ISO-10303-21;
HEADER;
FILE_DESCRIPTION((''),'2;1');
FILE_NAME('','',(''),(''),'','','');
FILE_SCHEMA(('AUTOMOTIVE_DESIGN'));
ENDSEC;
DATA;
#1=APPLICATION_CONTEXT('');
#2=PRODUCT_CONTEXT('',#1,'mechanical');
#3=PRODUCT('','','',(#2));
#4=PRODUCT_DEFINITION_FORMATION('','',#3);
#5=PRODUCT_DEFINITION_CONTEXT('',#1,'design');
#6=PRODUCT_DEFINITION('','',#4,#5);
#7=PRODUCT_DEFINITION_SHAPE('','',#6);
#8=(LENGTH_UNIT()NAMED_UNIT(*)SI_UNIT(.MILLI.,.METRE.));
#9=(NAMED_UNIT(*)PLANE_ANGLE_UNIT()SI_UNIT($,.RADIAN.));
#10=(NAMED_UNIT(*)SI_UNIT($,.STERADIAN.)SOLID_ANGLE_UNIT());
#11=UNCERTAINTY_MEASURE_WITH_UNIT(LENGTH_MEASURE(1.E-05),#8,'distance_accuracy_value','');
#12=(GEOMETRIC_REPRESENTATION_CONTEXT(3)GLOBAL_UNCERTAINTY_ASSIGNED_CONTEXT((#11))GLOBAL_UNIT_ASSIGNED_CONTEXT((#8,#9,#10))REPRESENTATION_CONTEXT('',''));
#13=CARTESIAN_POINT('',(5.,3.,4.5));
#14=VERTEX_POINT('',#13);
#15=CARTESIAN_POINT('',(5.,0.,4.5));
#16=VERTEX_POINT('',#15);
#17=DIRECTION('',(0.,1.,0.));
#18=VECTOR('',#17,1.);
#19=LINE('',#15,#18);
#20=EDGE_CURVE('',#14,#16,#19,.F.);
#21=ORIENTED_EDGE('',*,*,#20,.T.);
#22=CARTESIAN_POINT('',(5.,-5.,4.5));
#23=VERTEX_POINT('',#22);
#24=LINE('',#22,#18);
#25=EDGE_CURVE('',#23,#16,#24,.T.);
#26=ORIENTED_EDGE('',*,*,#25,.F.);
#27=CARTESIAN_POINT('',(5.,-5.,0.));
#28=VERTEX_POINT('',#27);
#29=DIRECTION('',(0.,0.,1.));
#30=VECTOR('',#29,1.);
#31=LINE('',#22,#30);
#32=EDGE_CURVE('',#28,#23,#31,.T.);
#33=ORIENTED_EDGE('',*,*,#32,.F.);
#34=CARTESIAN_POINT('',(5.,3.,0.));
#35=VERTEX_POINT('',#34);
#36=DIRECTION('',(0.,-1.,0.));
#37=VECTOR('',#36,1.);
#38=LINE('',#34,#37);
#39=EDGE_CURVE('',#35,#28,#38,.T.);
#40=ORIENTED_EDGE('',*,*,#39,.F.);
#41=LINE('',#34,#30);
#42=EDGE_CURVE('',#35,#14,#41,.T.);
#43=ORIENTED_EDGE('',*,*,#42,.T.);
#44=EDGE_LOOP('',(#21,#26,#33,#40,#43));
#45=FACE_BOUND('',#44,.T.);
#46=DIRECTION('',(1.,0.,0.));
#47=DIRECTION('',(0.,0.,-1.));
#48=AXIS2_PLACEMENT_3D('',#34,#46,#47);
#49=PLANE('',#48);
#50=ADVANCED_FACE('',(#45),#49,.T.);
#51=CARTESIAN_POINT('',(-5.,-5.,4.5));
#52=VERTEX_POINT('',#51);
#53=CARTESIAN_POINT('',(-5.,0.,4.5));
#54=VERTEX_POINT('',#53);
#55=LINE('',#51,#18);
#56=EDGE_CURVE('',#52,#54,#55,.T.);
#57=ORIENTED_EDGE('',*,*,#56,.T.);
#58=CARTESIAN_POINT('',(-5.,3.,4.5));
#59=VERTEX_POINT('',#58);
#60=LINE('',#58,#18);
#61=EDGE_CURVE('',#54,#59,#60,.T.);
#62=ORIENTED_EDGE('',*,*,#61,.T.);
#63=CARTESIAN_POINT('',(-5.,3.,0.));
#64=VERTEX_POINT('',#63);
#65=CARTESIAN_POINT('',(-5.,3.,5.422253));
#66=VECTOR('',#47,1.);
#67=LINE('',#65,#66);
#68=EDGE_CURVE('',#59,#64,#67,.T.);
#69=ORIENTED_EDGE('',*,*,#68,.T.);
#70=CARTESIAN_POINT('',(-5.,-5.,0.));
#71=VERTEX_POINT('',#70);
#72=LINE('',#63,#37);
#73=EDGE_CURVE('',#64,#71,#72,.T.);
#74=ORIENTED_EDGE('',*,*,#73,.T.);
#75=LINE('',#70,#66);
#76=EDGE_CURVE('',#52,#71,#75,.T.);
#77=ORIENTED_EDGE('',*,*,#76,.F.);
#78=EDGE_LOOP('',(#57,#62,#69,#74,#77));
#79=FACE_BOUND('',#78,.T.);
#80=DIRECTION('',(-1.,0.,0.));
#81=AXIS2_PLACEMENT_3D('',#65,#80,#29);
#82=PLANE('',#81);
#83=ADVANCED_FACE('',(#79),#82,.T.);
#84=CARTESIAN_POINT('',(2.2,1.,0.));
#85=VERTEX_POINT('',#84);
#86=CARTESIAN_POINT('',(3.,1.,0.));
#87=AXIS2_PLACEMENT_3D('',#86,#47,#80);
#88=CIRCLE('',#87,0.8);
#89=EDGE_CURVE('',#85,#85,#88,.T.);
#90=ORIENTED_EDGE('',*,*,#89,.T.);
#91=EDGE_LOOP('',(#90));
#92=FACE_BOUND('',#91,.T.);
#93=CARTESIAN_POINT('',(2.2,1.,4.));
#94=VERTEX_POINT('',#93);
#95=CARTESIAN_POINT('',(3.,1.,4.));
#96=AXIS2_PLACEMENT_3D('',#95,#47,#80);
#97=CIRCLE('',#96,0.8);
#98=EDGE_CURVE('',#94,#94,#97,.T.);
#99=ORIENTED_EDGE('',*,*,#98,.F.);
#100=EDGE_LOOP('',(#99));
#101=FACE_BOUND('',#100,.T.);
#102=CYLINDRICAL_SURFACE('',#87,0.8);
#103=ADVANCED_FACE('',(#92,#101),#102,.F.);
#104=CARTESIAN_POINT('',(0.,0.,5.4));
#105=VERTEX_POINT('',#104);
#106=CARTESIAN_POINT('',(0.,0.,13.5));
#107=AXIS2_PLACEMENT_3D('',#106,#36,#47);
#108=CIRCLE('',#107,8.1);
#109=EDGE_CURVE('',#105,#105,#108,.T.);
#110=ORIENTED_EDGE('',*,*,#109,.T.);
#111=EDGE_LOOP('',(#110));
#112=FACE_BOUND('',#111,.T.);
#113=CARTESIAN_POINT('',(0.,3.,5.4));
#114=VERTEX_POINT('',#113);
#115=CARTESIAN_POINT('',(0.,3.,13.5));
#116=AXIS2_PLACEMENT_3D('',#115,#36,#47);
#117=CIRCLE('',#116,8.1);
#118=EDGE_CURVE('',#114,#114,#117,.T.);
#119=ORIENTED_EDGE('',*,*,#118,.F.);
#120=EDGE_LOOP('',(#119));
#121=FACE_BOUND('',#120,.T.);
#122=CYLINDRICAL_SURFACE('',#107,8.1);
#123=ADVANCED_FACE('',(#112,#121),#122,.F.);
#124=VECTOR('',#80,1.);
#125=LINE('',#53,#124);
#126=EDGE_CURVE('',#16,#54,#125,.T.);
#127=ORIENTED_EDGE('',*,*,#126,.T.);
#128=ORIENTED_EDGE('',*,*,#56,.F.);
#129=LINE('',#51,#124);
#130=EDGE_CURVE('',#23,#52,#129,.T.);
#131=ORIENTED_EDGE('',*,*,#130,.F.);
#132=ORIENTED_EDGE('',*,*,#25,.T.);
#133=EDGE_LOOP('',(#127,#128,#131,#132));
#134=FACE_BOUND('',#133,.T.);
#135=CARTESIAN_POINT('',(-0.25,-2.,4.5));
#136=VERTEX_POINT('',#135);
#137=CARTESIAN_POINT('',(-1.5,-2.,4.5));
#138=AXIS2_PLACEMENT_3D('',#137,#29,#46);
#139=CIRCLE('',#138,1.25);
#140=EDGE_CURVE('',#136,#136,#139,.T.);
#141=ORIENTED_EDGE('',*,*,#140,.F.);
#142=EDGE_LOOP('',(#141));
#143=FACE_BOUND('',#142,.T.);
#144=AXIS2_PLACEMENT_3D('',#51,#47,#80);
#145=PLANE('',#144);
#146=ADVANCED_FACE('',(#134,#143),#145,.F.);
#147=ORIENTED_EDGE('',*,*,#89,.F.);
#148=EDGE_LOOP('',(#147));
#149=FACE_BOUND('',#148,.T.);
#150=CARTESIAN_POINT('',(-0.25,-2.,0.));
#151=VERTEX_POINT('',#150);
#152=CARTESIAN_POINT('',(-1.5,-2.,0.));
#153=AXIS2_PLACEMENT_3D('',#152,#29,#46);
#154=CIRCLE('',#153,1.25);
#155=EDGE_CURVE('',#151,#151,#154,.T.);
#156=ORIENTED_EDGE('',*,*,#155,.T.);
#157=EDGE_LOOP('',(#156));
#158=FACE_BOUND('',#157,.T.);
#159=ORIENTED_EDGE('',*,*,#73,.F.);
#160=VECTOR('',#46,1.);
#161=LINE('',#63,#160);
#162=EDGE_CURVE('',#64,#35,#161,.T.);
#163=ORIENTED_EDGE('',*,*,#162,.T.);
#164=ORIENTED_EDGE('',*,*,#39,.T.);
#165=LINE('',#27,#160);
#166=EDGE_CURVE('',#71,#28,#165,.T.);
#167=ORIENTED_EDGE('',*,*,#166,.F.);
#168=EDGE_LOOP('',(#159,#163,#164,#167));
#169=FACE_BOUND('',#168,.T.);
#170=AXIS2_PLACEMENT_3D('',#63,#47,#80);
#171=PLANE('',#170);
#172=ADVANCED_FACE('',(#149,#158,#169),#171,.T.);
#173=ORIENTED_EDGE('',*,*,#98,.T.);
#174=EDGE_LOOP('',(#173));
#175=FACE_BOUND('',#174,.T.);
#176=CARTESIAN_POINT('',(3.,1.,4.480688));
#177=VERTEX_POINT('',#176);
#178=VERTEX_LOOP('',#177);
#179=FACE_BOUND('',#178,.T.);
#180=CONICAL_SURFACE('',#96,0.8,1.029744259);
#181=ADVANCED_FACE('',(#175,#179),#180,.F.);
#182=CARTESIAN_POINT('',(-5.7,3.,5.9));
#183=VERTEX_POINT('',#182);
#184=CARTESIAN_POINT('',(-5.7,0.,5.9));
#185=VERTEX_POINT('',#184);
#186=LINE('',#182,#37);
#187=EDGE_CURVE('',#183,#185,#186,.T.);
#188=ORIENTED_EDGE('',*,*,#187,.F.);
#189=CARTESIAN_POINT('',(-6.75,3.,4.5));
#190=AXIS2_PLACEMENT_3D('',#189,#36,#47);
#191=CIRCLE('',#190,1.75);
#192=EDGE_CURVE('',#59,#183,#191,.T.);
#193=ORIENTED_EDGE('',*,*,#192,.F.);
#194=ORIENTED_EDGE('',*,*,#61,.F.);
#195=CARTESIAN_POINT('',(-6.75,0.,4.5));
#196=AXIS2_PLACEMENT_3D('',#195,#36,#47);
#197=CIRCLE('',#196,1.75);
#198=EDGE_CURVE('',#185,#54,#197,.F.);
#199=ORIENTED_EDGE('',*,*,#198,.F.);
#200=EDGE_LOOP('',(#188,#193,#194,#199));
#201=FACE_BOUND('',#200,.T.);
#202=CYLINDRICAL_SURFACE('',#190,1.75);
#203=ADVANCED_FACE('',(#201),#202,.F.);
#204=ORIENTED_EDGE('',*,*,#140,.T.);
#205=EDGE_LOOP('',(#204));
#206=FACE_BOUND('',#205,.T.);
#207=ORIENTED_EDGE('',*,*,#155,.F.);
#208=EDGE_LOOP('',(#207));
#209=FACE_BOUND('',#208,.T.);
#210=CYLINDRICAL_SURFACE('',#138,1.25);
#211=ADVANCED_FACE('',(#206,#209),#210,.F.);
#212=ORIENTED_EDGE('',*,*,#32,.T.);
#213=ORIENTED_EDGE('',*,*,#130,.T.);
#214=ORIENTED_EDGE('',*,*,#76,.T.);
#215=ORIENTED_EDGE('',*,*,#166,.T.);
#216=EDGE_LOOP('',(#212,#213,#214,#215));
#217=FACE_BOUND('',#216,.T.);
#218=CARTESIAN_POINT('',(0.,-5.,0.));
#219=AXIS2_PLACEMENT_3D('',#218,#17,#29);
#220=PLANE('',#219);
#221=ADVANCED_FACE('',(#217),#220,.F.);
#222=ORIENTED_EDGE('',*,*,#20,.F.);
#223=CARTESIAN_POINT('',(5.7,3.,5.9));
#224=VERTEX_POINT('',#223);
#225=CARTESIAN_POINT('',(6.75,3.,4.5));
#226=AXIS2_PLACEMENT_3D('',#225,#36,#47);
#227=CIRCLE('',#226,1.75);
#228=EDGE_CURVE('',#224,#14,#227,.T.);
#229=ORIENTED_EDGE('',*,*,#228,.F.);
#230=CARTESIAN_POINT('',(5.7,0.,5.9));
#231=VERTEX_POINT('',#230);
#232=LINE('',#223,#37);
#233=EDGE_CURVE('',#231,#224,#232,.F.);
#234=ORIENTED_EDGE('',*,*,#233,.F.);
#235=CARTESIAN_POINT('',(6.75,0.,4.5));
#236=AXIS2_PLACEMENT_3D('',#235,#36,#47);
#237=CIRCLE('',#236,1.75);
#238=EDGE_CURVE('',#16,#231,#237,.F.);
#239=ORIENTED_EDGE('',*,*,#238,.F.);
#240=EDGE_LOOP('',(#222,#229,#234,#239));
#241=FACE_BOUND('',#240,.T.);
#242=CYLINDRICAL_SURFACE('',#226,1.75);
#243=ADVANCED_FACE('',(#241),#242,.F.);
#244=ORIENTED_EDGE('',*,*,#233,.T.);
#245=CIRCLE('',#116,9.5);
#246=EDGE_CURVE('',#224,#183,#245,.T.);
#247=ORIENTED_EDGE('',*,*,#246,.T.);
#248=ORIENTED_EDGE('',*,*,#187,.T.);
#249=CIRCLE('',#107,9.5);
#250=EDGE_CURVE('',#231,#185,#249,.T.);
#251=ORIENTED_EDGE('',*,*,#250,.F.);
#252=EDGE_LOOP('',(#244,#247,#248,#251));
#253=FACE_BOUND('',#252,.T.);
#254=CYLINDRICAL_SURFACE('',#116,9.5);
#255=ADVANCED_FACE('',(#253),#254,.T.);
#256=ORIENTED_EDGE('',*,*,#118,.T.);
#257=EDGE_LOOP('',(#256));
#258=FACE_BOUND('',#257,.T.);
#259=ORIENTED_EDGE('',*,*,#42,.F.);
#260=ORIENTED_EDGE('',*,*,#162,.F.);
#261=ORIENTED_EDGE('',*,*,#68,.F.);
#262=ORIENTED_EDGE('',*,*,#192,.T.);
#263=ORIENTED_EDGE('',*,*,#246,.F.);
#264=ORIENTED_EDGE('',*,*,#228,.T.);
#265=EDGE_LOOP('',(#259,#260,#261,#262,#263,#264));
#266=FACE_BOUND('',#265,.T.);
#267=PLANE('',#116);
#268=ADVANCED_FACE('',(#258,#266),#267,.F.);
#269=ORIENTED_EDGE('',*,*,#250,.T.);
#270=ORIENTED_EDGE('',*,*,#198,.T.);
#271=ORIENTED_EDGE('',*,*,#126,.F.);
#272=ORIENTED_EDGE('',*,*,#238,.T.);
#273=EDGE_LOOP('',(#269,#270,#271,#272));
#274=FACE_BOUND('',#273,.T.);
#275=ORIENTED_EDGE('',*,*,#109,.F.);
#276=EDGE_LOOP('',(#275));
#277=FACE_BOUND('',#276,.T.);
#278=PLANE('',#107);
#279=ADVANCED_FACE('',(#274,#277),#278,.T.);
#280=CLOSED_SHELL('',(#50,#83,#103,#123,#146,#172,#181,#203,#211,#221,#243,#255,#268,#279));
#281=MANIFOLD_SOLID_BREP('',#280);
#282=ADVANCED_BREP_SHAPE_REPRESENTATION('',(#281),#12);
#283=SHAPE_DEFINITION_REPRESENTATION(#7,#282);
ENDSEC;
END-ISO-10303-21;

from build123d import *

# Parameters (mm, degrees)
BOSS_EXTRUDE1_DEPTH            = 3
SKETCH2_W                      = 10
SKETCH2_H                      = 4.5
BOSS_EXTRUDE2_DEPTH            = 5
F_1_6_1_6_DIAMETER_HOLE1_D     = 1.6
F_1_6_1_6_DIAMETER_HOLE1_DEPTH = 4
F_1_6_1_6_DIAMETER_HOLE1_TIP   = 0.480688495
F_2_5_2_5_DIAMETER_HOLE1_D     = 2.5
F_2_5_2_5_DIAMETER_HOLE1_DEPTH = 4.5
M14_CLEARANCE_HOLE1_D          = 16.2
M14_CLEARANCE_HOLE1_DEPTH      = 3
FILLET1_R                      = 1.749999932


with BuildPart() as part:
    # Sketch1 → Boss-Extrude1 (new body)
    with BuildSketch(Plane.XZ):
        with BuildLine():
            Line((-5, 5.422252789), (-5, 0))
            Line((-5, 0), (5, 0))
            Line((5, 0), (5, 5.422252789))
            ThreePointArc((5, 5.422252789), (0, 23), (-5, 5.422252789))
        make_face()
    extrude(amount=-BOSS_EXTRUDE1_DEPTH)

    # Sketch2 → Boss-Extrude2 (add)
    with BuildSketch(Plane.XZ):
        with Locations((0, 2.25)):
            Rectangle(SKETCH2_W, SKETCH2_H)
    extrude(amount=BOSS_EXTRUDE2_DEPTH)

    # Ø1.6 (1.6) Diameter Hole1
    with Locations(Plane(origin=(0, 0, 0), x_dir=(-1, 0, 0), z_dir=(0, 0, -1))):
        with Locations((-3, 1)):
            Hole(F_1_6_1_6_DIAMETER_HOLE1_D / 2, depth=F_1_6_1_6_DIAMETER_HOLE1_DEPTH)
            with Locations((0, 0, -(F_1_6_1_6_DIAMETER_HOLE1_DEPTH + F_1_6_1_6_DIAMETER_HOLE1_TIP / 2))):  # 118° drill point
                Cone(0, F_1_6_1_6_DIAMETER_HOLE1_D / 2, F_1_6_1_6_DIAMETER_HOLE1_TIP, mode=Mode.SUBTRACT)

    # Ø2.5 (2.5) Diameter Hole1
    with Locations(Plane.XY.offset(4.5)):
        with Locations((-1.5, -2)):
            Hole(F_2_5_2_5_DIAMETER_HOLE1_D / 2, depth=F_2_5_2_5_DIAMETER_HOLE1_DEPTH)

    # M14 Clearance Hole1
    with Locations(Plane(origin=(0, 0, 0), x_dir=(-1, 0, 0), z_dir=(0, -1, 0))):
        with Locations((0, -13.5)):
            Hole(M14_CLEARANCE_HOLE1_D / 2, depth=M14_CLEARANCE_HOLE1_DEPTH)

    # Fillet1
    fillet1_edges = [part.edges().sort_by_distance(p)[0] for p in [
        (-5, 1.5, 5.422252789),
        (5, 1.5, 5.422252789),
    ]]
    fillet(fillet1_edges, radius=FILLET1_R)


solid = part.part
